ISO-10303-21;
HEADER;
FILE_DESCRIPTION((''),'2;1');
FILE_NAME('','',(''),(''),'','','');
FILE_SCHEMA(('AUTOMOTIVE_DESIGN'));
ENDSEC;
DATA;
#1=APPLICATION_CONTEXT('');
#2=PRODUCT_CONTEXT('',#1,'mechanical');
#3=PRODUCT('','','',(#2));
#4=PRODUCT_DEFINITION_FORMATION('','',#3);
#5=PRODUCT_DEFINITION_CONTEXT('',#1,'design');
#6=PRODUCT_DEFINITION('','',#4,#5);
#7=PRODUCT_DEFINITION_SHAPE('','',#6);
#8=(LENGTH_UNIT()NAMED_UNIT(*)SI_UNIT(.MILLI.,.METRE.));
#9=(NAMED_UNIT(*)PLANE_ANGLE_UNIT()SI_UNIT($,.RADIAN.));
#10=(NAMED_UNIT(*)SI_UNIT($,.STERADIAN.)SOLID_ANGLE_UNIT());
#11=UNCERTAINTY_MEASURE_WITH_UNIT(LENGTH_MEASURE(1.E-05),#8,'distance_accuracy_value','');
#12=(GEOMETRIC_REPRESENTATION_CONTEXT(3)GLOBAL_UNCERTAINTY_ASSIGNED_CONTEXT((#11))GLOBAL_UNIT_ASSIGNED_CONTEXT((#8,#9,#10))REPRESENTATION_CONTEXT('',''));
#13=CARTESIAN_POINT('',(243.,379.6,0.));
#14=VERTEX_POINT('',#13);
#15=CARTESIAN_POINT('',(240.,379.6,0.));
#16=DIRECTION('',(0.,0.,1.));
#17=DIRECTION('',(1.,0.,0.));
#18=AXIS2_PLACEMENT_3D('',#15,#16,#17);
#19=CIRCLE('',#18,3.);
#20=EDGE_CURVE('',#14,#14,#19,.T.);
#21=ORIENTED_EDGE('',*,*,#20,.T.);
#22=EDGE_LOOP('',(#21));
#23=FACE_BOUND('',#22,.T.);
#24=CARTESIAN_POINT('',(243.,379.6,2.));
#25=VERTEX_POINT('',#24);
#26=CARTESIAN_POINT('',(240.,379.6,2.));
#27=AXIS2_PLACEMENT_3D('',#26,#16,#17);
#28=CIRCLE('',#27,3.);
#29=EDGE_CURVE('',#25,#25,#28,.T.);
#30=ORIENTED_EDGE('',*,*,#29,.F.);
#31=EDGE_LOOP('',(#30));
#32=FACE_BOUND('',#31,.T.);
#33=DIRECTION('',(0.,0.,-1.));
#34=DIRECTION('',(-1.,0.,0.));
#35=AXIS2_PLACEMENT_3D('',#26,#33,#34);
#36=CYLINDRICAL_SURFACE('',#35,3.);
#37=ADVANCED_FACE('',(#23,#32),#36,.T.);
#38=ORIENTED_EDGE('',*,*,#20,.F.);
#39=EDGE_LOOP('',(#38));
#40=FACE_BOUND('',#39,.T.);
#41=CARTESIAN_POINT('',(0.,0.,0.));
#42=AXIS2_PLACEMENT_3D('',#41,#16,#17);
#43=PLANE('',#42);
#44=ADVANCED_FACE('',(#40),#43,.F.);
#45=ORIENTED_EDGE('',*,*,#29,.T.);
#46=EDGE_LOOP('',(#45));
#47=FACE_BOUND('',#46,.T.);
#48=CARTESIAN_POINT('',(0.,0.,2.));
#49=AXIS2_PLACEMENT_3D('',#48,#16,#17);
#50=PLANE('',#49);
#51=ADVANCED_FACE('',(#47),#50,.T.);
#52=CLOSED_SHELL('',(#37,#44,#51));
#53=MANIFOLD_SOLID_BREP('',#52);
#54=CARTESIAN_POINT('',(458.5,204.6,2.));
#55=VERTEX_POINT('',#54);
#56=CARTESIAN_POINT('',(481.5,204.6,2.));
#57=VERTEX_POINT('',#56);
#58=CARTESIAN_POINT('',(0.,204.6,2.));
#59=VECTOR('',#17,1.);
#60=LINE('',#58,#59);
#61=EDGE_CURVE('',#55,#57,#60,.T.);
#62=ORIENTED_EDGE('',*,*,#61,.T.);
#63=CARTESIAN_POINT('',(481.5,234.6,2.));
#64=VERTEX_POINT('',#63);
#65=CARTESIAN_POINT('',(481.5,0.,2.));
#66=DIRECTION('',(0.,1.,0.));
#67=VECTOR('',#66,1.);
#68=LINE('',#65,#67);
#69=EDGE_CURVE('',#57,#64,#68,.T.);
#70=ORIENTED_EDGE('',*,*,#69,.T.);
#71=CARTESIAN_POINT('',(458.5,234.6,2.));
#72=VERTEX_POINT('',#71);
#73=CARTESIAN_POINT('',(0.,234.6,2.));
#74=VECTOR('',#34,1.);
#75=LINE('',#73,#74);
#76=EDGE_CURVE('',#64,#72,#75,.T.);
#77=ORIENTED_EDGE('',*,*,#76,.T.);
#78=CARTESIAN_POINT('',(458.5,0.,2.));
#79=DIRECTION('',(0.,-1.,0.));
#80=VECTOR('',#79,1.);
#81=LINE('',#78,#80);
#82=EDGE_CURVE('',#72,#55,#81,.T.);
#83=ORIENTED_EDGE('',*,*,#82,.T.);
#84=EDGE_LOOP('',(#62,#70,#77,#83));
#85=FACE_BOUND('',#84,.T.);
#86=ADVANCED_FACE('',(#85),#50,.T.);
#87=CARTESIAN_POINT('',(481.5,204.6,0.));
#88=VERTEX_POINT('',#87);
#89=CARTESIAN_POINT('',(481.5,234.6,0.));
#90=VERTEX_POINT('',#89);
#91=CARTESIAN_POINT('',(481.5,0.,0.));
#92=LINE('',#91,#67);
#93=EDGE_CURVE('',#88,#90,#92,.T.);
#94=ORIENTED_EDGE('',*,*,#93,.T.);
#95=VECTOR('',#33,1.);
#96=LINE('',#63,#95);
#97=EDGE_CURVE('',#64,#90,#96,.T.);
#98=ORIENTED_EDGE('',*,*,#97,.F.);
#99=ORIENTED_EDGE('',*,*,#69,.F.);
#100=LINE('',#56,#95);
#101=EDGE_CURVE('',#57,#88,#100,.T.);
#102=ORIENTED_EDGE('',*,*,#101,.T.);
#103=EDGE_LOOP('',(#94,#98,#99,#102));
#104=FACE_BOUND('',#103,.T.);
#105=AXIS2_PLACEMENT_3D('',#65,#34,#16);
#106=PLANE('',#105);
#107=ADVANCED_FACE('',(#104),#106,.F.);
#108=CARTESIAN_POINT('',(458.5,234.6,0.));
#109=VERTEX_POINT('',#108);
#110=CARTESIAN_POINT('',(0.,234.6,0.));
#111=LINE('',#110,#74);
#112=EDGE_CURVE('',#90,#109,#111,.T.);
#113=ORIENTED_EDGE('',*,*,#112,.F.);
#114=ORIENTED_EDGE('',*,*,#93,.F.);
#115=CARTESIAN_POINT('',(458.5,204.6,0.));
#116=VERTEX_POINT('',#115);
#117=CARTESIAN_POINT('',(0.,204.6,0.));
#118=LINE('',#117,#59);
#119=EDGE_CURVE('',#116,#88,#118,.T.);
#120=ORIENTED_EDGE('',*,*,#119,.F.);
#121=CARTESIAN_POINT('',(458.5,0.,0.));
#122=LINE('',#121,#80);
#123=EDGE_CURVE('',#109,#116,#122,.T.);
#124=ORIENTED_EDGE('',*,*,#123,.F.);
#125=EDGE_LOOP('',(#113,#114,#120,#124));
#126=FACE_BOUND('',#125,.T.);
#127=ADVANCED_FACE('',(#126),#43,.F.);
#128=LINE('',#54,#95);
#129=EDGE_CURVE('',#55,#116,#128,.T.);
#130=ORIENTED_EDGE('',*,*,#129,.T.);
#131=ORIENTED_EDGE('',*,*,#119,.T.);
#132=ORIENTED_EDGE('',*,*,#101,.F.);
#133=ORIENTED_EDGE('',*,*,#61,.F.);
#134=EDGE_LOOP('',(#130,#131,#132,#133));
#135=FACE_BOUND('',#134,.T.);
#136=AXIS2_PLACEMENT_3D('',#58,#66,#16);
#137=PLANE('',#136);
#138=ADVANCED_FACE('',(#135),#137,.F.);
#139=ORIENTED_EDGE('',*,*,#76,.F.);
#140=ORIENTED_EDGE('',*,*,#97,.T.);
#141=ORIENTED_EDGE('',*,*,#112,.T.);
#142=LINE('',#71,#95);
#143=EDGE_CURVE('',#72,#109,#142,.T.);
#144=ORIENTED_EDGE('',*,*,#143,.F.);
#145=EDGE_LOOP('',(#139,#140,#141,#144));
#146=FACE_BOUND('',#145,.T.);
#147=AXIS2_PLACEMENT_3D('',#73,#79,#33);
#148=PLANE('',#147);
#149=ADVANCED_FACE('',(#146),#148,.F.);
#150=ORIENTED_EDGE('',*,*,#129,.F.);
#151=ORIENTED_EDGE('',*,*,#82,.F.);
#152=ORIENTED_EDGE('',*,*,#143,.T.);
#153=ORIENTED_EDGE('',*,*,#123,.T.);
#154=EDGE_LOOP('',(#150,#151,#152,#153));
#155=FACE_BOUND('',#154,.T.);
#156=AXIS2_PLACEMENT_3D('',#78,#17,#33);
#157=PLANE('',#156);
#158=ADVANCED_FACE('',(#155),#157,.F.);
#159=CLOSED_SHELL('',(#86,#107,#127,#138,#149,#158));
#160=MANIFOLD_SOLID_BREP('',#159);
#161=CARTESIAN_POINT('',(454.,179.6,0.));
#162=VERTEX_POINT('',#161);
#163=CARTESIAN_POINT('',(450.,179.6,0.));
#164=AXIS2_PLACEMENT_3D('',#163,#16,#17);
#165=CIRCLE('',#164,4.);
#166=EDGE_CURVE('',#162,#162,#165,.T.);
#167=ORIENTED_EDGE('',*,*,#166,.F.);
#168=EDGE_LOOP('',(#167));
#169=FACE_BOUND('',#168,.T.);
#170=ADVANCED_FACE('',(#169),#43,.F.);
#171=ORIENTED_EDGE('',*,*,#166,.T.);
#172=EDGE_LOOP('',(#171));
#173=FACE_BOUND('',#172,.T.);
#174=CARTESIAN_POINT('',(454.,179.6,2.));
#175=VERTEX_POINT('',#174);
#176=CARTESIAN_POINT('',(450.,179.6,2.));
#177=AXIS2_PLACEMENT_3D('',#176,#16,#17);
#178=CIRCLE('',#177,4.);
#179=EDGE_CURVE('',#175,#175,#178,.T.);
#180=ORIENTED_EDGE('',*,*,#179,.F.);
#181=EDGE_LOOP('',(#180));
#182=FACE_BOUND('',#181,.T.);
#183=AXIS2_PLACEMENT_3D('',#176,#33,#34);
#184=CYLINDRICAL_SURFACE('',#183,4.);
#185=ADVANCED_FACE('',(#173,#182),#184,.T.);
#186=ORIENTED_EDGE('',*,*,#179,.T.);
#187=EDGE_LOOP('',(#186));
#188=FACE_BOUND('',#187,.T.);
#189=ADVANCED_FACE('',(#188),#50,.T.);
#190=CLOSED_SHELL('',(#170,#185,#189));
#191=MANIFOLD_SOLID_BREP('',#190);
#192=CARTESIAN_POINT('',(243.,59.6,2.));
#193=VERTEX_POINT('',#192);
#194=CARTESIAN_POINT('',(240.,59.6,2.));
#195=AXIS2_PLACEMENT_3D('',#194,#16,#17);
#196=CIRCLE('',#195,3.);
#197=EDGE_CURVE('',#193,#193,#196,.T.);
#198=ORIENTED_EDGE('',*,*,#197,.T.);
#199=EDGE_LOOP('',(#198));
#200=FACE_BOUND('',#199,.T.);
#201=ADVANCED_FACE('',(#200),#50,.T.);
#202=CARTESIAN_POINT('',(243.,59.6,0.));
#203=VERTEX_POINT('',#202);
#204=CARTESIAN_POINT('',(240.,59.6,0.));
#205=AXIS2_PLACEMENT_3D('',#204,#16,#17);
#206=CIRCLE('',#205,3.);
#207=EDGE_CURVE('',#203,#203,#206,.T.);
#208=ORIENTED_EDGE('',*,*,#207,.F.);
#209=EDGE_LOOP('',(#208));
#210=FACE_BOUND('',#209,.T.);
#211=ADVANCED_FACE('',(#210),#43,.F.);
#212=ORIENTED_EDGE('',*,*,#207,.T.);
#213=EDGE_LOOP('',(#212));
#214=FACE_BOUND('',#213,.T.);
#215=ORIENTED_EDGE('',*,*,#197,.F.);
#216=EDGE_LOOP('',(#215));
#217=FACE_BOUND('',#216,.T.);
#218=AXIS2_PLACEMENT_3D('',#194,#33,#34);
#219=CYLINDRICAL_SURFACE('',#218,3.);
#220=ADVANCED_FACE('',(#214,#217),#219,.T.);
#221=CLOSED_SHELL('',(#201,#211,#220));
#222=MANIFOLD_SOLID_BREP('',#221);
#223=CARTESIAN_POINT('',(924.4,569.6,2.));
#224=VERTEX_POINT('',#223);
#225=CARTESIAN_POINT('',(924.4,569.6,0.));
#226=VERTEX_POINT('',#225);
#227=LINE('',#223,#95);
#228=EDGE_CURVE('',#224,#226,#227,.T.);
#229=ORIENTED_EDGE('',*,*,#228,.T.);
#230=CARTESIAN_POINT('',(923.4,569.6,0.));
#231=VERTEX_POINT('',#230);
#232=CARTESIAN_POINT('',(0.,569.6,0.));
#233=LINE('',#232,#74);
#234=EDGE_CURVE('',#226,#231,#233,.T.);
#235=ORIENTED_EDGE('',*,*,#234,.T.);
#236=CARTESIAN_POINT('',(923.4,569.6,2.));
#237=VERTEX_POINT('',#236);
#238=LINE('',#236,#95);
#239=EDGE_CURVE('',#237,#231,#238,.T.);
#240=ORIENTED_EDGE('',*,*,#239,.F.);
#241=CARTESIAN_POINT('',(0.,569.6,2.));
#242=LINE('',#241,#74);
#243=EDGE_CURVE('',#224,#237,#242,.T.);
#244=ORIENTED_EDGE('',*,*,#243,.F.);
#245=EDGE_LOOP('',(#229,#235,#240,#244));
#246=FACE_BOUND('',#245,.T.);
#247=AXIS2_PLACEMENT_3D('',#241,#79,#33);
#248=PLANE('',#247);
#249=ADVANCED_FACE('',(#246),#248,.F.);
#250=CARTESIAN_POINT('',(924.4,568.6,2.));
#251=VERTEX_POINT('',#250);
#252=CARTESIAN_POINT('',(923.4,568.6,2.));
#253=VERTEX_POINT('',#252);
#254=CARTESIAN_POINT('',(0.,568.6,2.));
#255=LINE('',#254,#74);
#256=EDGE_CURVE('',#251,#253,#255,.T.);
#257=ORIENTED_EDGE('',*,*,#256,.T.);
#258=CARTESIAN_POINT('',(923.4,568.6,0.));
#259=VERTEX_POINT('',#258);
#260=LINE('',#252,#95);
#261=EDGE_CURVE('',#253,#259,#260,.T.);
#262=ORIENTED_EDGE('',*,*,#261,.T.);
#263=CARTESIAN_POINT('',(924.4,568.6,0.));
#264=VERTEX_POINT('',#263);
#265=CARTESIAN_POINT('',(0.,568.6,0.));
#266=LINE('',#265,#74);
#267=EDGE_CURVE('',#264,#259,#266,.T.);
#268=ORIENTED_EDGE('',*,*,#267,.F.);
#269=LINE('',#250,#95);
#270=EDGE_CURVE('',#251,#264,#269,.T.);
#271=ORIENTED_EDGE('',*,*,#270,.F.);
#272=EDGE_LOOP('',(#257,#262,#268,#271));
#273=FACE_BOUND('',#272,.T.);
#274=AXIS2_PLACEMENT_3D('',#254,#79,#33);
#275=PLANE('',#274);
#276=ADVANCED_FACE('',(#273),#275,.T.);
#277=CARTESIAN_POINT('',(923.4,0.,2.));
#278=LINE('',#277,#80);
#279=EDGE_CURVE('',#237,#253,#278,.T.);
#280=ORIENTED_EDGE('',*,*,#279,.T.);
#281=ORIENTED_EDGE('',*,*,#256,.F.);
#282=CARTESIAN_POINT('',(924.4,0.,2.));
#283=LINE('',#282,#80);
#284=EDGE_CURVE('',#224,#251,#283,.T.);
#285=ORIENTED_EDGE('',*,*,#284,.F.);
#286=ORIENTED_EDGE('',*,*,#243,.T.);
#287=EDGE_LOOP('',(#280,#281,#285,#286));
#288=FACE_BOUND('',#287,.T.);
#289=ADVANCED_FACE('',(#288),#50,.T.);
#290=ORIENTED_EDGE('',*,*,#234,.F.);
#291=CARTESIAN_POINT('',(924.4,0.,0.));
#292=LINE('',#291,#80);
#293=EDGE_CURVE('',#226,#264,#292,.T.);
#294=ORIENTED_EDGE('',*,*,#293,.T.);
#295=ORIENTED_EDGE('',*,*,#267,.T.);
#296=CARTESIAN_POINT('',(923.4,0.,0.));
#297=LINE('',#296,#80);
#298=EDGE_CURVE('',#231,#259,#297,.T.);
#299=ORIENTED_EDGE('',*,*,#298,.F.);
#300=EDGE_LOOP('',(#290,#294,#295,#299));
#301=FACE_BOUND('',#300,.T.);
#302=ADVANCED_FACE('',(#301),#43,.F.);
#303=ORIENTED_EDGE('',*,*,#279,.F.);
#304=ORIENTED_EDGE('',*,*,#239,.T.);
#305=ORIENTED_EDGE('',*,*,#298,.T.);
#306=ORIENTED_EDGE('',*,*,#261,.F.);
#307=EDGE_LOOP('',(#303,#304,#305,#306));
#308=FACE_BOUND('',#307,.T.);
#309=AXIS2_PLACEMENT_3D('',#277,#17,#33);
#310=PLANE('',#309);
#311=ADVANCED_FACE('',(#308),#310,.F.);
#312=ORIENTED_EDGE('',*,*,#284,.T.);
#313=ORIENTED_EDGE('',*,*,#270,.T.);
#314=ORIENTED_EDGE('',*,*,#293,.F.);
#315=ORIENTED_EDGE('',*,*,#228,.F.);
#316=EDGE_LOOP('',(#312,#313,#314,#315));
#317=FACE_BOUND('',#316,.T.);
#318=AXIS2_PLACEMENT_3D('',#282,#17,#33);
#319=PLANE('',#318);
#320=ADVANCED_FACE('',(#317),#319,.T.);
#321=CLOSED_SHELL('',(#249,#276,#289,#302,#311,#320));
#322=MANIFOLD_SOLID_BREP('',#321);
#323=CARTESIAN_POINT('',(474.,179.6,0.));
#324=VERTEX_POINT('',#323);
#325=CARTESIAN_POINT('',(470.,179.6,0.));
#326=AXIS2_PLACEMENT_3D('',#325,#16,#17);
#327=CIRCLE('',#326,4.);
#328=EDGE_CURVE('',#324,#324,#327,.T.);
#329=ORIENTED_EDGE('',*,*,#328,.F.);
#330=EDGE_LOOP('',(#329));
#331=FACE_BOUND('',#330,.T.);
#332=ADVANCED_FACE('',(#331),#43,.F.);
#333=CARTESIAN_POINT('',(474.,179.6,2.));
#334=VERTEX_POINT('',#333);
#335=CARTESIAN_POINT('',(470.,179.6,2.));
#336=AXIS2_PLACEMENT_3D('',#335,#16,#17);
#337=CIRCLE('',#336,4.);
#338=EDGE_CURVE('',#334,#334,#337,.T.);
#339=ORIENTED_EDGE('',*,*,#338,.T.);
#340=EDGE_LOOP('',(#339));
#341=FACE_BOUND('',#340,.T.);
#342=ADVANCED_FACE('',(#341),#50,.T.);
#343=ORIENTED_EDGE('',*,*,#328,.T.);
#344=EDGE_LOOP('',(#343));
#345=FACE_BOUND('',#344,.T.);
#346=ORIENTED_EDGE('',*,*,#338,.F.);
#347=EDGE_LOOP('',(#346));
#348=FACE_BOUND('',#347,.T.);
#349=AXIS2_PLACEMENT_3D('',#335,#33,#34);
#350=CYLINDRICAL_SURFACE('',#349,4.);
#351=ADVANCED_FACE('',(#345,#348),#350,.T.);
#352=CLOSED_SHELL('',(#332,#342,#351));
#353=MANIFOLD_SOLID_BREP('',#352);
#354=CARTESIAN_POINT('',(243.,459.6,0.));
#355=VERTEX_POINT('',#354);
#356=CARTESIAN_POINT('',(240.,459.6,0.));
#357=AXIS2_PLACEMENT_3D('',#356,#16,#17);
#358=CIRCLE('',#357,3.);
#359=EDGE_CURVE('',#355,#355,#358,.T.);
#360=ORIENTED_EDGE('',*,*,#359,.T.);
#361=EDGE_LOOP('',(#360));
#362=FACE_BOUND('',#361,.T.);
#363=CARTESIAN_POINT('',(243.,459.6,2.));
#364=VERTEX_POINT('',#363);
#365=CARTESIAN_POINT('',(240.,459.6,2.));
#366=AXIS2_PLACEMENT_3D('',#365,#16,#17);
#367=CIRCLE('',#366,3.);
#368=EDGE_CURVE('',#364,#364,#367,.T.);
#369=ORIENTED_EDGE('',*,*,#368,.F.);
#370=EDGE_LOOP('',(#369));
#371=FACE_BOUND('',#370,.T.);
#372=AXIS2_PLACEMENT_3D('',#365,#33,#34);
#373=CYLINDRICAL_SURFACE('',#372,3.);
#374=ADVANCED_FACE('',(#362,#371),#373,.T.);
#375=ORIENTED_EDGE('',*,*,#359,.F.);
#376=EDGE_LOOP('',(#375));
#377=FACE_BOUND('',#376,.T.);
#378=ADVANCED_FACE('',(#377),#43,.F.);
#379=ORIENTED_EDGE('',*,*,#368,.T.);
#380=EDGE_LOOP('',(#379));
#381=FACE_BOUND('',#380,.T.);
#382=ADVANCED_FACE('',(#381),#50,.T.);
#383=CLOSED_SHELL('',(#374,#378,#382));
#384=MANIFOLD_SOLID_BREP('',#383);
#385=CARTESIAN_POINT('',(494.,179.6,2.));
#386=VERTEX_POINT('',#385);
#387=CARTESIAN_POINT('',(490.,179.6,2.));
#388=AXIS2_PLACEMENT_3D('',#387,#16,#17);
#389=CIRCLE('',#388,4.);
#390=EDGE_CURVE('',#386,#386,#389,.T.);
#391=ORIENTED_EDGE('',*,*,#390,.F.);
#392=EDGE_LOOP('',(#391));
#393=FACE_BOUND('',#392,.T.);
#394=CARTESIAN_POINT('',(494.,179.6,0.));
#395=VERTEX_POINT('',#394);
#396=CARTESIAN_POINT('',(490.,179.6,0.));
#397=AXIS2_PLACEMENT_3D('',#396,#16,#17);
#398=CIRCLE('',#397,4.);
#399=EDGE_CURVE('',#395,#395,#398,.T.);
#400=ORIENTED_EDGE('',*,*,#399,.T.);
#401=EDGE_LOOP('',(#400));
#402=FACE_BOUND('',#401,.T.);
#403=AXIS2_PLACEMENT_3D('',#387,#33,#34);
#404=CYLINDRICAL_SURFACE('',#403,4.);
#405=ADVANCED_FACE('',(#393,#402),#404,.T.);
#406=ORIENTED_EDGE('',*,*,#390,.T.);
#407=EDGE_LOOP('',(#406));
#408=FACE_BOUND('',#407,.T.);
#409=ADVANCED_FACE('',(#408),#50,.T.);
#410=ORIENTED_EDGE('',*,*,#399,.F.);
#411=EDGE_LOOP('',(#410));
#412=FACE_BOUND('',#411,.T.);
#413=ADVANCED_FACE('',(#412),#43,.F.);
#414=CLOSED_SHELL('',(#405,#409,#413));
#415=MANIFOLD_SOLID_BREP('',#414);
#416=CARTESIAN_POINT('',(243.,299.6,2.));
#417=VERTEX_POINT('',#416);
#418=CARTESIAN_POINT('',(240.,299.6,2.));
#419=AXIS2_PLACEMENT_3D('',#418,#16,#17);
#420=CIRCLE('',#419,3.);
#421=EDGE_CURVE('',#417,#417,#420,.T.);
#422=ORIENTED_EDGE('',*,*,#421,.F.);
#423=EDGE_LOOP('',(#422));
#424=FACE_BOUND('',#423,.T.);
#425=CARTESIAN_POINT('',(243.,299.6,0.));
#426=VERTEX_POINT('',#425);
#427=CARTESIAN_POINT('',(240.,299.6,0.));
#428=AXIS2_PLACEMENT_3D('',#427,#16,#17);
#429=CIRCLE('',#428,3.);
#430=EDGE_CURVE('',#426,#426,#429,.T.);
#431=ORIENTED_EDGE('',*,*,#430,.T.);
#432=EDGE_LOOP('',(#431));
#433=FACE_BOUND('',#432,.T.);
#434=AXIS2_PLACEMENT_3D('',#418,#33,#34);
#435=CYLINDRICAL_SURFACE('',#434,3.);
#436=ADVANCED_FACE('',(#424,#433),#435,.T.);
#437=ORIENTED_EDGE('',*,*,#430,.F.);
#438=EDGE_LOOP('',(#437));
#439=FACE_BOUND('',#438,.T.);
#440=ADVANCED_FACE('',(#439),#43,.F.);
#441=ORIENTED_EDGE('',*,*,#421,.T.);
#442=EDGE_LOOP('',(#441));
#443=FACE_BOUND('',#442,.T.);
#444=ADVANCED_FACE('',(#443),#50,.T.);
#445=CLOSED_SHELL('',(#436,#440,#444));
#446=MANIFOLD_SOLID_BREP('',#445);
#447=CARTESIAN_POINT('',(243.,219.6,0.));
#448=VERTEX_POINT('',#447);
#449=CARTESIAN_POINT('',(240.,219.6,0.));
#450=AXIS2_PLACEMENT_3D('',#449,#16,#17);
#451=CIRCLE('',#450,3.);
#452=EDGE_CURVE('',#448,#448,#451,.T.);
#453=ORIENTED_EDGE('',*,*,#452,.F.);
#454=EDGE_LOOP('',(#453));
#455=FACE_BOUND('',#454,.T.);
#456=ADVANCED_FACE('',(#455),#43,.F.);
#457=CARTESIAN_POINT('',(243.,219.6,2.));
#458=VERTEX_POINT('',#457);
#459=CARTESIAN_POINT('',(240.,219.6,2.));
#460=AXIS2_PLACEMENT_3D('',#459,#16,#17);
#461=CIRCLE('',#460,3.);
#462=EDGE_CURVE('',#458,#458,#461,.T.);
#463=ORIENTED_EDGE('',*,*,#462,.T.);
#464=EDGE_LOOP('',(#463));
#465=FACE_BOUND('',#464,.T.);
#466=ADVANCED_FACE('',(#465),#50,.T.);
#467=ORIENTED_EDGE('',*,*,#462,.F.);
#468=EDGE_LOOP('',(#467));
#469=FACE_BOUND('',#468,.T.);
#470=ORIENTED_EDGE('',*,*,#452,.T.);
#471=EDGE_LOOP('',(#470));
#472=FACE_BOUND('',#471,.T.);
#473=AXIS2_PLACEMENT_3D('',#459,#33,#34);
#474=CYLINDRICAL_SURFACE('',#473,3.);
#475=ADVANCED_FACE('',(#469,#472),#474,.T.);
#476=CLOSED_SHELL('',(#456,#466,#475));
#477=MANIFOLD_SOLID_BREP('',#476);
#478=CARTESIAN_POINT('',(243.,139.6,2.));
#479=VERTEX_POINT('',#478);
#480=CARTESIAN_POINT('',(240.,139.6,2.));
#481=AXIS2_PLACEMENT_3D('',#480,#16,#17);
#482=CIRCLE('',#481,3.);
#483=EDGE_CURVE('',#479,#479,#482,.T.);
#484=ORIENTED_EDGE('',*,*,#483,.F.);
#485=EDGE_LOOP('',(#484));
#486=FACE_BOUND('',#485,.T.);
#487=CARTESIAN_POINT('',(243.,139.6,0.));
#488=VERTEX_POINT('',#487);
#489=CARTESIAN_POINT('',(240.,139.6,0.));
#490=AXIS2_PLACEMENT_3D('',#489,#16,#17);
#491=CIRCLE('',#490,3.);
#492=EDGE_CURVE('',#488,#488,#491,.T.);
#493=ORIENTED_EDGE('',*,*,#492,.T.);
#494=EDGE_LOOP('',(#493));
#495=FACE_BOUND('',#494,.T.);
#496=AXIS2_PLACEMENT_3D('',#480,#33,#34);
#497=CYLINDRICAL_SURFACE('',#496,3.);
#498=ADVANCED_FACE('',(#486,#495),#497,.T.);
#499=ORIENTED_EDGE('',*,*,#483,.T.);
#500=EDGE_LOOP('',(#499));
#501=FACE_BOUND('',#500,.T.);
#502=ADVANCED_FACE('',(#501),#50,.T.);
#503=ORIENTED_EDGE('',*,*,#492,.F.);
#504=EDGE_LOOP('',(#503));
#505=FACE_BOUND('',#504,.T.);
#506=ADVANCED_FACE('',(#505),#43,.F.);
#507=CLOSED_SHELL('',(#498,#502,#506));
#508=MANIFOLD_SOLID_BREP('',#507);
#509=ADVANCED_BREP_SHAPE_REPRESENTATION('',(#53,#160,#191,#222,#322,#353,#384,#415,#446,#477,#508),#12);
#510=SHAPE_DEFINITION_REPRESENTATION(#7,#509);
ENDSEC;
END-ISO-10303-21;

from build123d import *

# Parameters (mm, degrees)
SKETCH1_R              = 3
BOSS_EXTRUDE1_DEPTH    = 2
BOSS_EXTRUDE1_2_DEPTH  = 2
BOSS_EXTRUDE1_3_DEPTH  = 2
BOSS_EXTRUDE1_4_DEPTH  = 2
BOSS_EXTRUDE1_5_DEPTH  = 2
BOSS_EXTRUDE1_6_DEPTH  = 2
SKETCH1_W              = 23
SKETCH1_H              = 30
BOSS_EXTRUDE1_7_DEPTH  = 2
SKETCH1_R_2            = 4
BOSS_EXTRUDE1_8_DEPTH  = 2
BOSS_EXTRUDE1_9_DEPTH  = 2
BOSS_EXTRUDE1_10_DEPTH = 2
SKETCH1_W_2            = 1
SKETCH1_H_2            = 1
BOSS_EXTRUDE1_11_DEPTH = 2


with BuildPart() as part:
    # Sketch1 → Boss-Extrude1 (new body)
    with BuildSketch(Plane.XY):
        with Locations((240, 299.6)):
            Circle(SKETCH1_R)
    extrude(amount=BOSS_EXTRUDE1_DEPTH)


with BuildPart() as body_2:
    # Sketch1 → Boss-Extrude1 2 (new body)
    with BuildSketch(Plane.XY):
        with Locations((240, 379.6)):
            Circle(SKETCH1_R)
    extrude(amount=BOSS_EXTRUDE1_2_DEPTH)


with BuildPart() as body_3:
    # Sketch1 → Boss-Extrude1 3 (new body)
    with BuildSketch(Plane.XY):
        with Locations((240, 459.6)):
            Circle(SKETCH1_R)
    extrude(amount=BOSS_EXTRUDE1_3_DEPTH)


with BuildPart() as body_4:
    # Sketch1 → Boss-Extrude1 4 (new body)
    with BuildSketch(Plane.XY):
        with Locations((240, 219.6)):
            Circle(SKETCH1_R)
    extrude(amount=BOSS_EXTRUDE1_4_DEPTH)


with BuildPart() as body_5:
    # Sketch1 → Boss-Extrude1 5 (new body)
    with BuildSketch(Plane.XY):
        with Locations((240, 139.6)):
            Circle(SKETCH1_R)
    extrude(amount=BOSS_EXTRUDE1_5_DEPTH)


with BuildPart() as body_6:
    # Sketch1 → Boss-Extrude1 6 (new body)
    with BuildSketch(Plane.XY):
        with Locations((240, 59.6)):
            Circle(SKETCH1_R)
    extrude(amount=BOSS_EXTRUDE1_6_DEPTH)


with BuildPart() as body_7:
    # Sketch1 → Boss-Extrude1 7 (new body)
    with BuildSketch(Plane.XY):
        with Locations((470, 219.6)):
            Rectangle(SKETCH1_W, SKETCH1_H)
    extrude(amount=BOSS_EXTRUDE1_7_DEPTH)


with BuildPart() as body_8:
    # Sketch1 → Boss-Extrude1 8 (new body)
    with BuildSketch(Plane.XY):
        with Locations((490, 179.6)):
            Circle(SKETCH1_R_2)
    extrude(amount=BOSS_EXTRUDE1_8_DEPTH)


with BuildPart() as body_9:
    # Sketch1 → Boss-Extrude1 9 (new body)
    with BuildSketch(Plane.XY):
        with Locations((470, 179.6)):
            Circle(SKETCH1_R_2)
    extrude(amount=BOSS_EXTRUDE1_9_DEPTH)


with BuildPart() as body_10:
    # Sketch1 → Boss-Extrude1 10 (new body)
    with BuildSketch(Plane.XY):
        with Locations((450, 179.6)):
            Circle(SKETCH1_R_2)
    extrude(amount=BOSS_EXTRUDE1_10_DEPTH)


with BuildPart() as body_11:
    # Sketch1 → Boss-Extrude1 11 (new body)
    with BuildSketch(Plane.XY):
        with Locations((923.9, 569.1)):
            Rectangle(SKETCH1_W_2, SKETCH1_H_2)
    extrude(amount=BOSS_EXTRUDE1_11_DEPTH)


solid = Compound([part.part, body_2.part, body_3.part, body_4.part, body_5.part, body_6.part, body_7.part, body_8.part, body_9.part, body_10.part, body_11.part])
